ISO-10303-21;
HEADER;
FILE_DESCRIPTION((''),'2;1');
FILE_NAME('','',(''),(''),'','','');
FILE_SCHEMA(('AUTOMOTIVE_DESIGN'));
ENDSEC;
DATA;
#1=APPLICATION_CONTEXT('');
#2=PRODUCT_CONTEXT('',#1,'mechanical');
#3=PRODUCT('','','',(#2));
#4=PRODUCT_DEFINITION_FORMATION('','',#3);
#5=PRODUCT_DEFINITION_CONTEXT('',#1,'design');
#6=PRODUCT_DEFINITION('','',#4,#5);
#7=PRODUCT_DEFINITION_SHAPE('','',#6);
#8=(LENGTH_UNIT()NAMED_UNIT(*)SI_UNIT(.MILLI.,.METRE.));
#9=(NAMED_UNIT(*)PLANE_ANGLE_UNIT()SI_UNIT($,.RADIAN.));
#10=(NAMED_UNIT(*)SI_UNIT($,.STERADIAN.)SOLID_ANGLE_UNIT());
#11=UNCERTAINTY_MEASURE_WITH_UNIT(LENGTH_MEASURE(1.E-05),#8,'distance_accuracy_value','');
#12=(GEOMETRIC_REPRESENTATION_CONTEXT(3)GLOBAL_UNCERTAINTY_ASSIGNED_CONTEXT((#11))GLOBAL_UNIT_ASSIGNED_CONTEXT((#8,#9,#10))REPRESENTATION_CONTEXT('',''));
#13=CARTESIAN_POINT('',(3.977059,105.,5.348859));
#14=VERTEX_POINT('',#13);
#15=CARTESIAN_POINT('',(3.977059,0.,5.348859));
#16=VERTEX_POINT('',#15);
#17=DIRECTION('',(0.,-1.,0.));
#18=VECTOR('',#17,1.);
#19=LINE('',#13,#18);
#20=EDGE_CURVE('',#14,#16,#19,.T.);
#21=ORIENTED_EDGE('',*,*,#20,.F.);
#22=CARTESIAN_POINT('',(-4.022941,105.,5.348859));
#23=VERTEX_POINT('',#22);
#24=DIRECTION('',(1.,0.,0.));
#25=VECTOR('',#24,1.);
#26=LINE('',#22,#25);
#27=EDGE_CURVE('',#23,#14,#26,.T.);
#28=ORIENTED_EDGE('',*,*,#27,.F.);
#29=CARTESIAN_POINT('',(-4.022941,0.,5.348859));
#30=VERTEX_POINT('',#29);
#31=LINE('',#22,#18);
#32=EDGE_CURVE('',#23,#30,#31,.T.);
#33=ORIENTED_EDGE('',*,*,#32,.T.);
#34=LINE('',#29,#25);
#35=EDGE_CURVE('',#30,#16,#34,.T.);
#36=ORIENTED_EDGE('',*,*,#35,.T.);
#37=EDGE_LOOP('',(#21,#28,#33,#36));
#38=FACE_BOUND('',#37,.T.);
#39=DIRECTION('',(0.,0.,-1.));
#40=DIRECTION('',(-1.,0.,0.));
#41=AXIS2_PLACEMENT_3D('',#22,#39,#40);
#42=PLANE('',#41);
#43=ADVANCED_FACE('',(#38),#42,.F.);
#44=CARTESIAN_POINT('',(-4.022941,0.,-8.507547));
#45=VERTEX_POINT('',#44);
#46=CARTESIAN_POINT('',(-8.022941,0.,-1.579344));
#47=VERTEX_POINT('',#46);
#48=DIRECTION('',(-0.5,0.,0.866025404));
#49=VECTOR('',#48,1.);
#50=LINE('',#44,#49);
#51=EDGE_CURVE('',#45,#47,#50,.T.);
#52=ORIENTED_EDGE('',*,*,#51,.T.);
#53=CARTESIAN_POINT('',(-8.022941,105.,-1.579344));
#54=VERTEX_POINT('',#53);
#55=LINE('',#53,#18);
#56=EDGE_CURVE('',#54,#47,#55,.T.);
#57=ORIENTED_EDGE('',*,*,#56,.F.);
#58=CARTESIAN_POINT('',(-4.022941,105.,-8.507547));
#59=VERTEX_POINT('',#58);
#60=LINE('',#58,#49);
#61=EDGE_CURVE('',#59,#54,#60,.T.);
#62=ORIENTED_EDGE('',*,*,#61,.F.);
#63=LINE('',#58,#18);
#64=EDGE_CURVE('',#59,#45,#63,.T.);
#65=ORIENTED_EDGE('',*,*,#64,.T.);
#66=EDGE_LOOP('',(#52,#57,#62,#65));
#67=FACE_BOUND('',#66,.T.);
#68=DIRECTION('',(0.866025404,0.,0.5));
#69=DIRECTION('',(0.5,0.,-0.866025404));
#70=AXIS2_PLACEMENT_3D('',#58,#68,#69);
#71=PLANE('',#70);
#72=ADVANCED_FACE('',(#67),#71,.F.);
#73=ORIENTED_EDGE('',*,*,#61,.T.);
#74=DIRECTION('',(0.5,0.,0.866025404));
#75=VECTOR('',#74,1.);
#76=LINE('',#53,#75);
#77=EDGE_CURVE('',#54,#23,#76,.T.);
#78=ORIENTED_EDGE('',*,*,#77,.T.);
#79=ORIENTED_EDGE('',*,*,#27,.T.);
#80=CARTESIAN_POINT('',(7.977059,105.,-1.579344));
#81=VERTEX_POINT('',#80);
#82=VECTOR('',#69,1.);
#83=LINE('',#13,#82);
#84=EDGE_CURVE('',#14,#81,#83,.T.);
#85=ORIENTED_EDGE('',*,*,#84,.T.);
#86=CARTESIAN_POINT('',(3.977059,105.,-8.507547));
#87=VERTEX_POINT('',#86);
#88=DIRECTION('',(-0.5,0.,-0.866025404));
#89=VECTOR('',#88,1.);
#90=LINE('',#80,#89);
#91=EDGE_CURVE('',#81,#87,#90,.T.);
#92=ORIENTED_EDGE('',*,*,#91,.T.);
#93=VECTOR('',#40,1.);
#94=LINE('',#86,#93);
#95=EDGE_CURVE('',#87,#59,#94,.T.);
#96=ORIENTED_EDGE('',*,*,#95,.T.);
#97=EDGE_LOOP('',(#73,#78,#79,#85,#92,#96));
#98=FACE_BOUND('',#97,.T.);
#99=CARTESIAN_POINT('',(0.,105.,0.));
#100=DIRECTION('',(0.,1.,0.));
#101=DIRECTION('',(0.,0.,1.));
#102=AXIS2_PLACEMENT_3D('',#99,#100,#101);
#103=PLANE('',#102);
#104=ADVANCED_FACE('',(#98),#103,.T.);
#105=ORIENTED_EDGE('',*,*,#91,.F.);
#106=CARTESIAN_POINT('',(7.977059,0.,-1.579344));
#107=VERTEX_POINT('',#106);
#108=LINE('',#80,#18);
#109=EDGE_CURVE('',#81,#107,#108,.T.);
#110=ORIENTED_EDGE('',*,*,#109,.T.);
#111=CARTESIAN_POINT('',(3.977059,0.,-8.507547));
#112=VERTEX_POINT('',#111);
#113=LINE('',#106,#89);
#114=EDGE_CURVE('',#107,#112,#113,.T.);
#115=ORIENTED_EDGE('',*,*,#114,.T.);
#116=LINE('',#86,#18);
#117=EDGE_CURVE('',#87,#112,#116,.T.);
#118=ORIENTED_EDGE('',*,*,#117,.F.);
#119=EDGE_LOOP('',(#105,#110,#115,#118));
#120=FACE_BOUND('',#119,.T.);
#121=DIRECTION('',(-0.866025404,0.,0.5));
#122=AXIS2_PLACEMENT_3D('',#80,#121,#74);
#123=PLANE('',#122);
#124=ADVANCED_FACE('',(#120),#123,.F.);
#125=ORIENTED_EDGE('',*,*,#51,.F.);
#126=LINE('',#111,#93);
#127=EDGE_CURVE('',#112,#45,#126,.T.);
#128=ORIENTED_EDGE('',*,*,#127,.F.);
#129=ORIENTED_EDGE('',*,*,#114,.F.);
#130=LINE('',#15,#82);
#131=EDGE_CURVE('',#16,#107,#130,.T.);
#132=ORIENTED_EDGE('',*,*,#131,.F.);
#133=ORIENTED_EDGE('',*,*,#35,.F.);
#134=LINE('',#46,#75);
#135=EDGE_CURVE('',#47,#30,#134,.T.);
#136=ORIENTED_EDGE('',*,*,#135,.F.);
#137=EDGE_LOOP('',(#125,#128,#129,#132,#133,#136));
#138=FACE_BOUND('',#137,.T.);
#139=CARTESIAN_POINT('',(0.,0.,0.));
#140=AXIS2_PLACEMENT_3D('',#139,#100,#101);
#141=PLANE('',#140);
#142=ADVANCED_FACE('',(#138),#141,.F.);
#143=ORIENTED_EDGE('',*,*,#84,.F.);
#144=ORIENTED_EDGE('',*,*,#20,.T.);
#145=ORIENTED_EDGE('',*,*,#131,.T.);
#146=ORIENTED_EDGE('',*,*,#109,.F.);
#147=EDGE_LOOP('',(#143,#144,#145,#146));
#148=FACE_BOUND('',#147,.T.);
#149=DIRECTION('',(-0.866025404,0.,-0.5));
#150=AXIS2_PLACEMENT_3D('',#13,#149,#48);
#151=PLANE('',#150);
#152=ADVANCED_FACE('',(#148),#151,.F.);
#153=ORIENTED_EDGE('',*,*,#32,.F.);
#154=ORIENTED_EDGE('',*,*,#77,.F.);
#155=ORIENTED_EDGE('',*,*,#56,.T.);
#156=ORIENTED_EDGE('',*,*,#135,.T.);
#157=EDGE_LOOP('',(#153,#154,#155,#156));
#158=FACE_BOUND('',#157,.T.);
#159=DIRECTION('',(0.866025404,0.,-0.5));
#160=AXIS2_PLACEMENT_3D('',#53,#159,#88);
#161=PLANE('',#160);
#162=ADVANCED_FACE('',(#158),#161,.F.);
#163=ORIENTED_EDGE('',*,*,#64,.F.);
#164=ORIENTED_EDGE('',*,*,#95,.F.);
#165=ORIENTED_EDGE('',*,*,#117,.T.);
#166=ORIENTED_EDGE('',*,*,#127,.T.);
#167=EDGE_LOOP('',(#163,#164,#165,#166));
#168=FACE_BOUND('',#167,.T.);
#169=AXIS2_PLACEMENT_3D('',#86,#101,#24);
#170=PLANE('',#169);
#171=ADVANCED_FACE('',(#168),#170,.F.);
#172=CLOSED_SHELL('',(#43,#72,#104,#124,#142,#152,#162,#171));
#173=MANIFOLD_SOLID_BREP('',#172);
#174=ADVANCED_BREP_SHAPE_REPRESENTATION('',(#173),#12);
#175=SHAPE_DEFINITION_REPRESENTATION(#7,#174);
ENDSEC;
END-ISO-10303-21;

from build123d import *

# Parameters (mm, degrees)
BOSS_EXTRUDE1_DEPTH = 105


with BuildPart() as part:
    # Sketch1 → Boss-Extrude1 (new body)
    with BuildSketch(Plane(origin=(0, 0, 0), x_dir=(1, 0, 0), z_dir=(0, 1, 0))):
        Polygon((7.977059052, 1.579344013), (3.977059052, 8.507547244), (-4.022940948, 8.507547244), (-8.022940948, 1.579344013), (-4.022940948, -5.348859217), (3.977059052, -5.348859217), align=None)
    extrude(amount=BOSS_EXTRUDE1_DEPTH)


solid = part.part
